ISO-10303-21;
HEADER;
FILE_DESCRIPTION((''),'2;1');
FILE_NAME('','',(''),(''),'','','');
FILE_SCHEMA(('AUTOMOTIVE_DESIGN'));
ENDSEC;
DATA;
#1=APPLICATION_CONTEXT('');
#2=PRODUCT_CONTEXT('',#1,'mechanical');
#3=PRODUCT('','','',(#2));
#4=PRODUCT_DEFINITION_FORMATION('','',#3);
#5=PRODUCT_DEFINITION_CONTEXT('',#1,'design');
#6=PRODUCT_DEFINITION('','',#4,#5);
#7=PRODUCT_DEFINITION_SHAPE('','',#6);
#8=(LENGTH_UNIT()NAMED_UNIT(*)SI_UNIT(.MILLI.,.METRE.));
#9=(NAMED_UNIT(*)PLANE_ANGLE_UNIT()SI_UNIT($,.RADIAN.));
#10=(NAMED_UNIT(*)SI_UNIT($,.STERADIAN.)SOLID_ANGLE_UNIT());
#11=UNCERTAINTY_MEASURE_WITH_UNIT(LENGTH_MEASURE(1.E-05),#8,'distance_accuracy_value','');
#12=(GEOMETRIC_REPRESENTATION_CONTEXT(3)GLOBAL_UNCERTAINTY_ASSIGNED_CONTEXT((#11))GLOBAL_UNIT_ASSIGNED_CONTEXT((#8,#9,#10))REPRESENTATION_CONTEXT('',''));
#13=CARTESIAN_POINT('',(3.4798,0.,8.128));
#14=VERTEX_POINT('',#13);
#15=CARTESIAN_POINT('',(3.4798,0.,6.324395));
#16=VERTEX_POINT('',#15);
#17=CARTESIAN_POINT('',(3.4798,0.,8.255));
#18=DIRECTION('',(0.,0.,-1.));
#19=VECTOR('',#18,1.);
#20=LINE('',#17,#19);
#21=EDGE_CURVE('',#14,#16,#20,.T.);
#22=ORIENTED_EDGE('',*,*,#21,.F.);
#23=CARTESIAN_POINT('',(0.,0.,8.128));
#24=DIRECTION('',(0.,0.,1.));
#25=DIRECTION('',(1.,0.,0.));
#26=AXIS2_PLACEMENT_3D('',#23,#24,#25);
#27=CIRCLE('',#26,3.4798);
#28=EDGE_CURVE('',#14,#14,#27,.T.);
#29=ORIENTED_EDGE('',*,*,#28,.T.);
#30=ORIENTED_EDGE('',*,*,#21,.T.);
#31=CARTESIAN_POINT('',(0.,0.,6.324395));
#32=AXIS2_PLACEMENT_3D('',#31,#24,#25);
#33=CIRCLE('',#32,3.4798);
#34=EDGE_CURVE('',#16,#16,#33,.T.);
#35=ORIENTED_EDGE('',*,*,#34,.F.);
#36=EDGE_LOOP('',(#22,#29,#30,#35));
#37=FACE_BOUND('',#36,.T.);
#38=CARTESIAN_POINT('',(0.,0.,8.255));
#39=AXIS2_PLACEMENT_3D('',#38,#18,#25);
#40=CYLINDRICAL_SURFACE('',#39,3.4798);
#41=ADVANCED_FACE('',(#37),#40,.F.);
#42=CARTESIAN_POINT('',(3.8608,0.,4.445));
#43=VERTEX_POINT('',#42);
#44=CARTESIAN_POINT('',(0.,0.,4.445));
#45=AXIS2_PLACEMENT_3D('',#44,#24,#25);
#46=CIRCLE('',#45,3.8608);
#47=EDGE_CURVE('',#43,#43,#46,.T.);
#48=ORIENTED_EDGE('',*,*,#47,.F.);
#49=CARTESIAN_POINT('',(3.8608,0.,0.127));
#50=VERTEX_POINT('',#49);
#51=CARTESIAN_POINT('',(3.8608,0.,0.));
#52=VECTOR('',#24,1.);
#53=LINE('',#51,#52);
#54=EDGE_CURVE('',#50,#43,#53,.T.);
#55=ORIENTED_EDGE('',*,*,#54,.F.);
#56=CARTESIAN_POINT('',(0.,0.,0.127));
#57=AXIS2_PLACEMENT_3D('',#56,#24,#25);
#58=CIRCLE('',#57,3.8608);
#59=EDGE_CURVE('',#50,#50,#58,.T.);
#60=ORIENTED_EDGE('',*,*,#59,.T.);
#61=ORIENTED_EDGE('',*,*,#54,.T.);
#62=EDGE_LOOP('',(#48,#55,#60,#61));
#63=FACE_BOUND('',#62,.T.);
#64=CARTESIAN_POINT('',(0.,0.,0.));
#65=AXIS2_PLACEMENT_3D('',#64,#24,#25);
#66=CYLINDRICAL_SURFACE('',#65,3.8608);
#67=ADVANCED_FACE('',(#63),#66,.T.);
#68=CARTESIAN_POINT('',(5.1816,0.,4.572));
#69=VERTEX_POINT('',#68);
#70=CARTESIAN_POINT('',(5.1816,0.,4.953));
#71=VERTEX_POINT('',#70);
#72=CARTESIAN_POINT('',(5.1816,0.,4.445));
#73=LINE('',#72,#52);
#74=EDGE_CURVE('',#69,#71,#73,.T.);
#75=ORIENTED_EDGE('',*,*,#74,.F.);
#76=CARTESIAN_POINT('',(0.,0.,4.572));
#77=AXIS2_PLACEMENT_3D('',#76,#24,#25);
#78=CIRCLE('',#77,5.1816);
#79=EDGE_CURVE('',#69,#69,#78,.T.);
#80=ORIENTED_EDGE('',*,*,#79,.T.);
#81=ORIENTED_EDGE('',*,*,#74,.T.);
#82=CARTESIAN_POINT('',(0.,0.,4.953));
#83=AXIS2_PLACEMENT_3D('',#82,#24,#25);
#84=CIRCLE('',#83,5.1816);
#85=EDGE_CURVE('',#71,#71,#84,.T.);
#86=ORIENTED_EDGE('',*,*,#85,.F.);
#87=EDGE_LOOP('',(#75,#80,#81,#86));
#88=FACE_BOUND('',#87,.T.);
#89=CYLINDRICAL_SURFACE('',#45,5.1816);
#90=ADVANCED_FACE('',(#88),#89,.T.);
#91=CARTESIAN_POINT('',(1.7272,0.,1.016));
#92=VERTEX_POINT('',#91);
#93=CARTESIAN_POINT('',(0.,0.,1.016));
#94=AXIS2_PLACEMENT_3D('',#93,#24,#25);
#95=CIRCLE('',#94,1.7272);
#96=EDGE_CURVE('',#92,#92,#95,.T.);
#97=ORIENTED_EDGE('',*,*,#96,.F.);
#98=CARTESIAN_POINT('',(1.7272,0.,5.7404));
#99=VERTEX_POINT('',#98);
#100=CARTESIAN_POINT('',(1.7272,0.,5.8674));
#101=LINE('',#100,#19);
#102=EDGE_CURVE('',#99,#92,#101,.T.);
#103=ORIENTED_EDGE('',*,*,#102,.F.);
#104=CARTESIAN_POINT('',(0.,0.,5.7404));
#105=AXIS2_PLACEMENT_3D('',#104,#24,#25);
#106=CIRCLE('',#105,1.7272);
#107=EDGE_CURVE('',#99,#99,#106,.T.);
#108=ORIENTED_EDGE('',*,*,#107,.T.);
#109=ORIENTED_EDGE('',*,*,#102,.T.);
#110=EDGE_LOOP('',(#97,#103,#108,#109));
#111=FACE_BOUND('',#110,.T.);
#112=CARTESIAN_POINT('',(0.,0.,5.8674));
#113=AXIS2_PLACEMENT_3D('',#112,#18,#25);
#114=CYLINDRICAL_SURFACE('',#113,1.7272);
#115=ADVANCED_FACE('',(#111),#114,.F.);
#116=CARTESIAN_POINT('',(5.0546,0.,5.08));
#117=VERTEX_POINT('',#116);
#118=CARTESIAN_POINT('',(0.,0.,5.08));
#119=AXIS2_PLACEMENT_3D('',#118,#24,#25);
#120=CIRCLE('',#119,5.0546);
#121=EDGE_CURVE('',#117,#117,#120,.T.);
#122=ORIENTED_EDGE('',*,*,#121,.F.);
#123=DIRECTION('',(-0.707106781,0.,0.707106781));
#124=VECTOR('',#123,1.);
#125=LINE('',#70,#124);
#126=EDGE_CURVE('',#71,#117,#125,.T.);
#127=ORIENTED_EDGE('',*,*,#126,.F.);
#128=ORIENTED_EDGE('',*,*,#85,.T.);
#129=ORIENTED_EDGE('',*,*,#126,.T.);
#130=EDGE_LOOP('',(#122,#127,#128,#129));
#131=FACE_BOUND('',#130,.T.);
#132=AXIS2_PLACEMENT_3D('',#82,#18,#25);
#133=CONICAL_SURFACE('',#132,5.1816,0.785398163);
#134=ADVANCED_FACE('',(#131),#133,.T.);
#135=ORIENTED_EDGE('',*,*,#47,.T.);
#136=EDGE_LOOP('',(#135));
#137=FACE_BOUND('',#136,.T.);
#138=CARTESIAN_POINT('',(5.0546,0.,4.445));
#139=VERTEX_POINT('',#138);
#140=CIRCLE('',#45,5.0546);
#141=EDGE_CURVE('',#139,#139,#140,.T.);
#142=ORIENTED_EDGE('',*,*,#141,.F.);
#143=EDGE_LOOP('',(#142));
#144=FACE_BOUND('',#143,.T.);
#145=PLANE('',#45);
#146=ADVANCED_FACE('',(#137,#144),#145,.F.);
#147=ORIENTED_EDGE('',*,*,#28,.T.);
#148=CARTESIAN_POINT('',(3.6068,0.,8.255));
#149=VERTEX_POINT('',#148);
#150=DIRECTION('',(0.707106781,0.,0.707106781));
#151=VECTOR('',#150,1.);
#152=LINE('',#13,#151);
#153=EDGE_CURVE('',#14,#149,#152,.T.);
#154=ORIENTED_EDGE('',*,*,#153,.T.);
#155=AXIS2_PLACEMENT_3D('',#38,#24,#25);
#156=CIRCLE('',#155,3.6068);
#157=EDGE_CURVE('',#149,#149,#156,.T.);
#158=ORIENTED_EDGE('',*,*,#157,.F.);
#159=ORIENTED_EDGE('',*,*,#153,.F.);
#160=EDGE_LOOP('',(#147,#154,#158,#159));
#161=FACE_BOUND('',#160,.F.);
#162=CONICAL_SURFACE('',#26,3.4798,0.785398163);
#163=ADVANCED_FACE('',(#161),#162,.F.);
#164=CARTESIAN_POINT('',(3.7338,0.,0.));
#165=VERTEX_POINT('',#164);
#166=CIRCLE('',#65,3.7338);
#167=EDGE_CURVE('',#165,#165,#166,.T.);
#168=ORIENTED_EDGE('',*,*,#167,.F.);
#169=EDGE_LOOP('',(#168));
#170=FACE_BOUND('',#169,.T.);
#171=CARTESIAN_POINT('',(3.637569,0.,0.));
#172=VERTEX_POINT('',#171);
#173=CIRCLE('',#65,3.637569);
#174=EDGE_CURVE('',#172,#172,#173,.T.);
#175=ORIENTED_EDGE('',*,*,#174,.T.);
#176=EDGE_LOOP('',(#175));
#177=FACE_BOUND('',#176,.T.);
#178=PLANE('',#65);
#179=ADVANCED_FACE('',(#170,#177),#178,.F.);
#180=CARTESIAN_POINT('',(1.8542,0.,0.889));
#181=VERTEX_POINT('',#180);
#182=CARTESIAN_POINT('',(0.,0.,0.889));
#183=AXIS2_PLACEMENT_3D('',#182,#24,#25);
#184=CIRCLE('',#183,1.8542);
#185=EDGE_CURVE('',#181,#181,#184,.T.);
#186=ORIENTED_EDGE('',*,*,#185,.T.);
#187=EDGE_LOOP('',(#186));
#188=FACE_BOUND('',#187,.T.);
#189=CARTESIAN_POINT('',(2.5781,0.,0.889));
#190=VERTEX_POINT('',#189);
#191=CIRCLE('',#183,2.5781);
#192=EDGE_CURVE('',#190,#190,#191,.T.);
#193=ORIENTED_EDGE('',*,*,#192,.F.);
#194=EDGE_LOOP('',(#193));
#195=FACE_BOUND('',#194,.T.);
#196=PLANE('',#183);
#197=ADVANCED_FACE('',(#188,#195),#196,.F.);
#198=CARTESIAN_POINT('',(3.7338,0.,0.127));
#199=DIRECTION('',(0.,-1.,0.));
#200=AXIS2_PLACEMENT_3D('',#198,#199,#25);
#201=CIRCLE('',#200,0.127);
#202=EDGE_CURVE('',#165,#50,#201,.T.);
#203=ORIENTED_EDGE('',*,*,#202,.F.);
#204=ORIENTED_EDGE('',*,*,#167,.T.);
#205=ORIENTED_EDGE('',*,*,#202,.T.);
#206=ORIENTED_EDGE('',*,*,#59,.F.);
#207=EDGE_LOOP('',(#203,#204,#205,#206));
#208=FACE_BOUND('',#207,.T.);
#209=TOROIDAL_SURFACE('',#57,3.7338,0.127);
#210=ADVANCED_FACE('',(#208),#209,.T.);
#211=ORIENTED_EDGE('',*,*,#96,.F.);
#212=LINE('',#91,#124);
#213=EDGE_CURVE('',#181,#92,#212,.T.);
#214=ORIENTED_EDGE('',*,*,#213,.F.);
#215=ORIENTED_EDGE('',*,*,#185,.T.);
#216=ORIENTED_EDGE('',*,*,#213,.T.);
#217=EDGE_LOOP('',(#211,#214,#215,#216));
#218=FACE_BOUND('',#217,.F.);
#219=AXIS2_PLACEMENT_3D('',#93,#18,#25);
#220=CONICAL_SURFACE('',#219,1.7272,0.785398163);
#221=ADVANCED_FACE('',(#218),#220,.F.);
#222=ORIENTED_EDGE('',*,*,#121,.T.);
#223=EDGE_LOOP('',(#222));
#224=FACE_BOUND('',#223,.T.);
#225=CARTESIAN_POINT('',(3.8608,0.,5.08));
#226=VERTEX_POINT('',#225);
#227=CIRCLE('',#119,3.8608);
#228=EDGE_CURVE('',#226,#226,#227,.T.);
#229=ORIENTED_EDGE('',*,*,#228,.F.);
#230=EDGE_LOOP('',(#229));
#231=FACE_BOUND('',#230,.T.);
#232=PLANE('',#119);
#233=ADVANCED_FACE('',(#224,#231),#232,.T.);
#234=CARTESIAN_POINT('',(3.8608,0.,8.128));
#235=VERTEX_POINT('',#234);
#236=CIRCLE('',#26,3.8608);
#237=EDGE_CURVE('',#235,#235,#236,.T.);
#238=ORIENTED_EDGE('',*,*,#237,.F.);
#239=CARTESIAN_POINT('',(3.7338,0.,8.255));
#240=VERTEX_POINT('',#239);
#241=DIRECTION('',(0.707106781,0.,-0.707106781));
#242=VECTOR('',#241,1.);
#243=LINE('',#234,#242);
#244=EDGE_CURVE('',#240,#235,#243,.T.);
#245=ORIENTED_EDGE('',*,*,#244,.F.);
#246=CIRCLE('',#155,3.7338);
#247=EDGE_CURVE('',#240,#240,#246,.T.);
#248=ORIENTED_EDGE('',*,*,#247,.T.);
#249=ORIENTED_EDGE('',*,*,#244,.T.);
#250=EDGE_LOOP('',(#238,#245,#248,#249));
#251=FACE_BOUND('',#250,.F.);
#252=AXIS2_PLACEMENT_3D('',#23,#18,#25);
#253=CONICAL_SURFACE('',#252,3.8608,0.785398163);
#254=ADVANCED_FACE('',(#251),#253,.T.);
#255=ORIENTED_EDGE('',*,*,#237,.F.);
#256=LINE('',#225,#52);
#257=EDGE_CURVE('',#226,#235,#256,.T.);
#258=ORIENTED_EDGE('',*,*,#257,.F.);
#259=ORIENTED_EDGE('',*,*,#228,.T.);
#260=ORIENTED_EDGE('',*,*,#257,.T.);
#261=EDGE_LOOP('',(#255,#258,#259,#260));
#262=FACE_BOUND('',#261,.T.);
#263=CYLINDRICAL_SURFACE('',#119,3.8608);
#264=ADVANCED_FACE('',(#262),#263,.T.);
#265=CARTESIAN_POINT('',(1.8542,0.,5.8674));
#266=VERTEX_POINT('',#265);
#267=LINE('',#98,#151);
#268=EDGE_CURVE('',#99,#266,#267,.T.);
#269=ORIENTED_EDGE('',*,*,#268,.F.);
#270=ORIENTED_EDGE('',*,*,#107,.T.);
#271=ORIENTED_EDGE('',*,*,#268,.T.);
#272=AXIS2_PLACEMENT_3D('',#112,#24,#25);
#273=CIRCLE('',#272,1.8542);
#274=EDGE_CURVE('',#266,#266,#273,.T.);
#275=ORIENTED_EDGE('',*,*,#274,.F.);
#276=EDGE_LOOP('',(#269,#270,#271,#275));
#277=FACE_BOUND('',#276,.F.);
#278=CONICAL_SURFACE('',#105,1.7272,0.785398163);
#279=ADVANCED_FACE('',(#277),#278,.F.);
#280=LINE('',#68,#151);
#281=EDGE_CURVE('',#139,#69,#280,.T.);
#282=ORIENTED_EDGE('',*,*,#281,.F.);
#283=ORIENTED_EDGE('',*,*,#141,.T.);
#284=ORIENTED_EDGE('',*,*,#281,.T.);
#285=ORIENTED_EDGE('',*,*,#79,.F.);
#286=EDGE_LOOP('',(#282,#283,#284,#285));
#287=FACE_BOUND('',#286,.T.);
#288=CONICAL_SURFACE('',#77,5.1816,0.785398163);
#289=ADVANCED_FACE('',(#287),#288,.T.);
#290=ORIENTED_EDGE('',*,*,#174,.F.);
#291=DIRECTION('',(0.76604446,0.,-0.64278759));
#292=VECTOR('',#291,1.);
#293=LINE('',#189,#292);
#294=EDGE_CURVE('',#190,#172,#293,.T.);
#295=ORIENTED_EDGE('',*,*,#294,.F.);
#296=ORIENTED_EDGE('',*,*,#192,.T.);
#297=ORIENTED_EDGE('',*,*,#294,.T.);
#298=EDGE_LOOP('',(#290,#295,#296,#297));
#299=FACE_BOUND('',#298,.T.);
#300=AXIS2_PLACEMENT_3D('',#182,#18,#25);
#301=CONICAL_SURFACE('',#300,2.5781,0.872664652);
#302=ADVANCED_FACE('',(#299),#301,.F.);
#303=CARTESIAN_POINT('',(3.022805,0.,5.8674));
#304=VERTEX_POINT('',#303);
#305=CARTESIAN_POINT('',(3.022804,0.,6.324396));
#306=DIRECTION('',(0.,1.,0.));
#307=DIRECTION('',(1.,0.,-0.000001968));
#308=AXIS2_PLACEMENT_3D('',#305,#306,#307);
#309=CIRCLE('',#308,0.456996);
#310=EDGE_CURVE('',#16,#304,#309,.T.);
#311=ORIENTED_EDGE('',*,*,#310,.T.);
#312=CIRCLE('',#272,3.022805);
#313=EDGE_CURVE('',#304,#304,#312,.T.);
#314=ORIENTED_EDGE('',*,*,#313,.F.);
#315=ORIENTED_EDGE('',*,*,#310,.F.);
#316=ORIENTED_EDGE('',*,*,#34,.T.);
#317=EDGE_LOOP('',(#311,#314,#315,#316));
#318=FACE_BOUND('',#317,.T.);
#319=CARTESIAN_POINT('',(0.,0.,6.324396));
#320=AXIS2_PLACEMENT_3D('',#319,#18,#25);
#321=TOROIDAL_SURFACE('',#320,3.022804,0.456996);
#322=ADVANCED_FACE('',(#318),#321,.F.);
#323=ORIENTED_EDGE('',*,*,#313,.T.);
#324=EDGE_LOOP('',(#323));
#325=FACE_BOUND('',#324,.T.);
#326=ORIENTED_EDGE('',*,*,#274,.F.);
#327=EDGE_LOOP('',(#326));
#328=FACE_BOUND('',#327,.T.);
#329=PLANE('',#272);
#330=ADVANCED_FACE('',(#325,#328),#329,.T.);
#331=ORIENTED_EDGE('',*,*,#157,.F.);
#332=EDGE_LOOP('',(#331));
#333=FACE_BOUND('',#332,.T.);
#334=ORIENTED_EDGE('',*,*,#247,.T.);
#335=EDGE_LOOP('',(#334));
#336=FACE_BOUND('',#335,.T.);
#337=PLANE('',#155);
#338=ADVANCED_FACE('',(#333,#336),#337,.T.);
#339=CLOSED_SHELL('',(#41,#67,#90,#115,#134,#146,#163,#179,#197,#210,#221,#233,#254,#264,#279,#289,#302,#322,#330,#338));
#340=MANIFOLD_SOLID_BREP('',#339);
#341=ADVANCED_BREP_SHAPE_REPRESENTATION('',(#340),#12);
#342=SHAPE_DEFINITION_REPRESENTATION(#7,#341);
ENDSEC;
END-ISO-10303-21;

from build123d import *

# Parameters (mm, degrees)
F2_R    = 0.127
F3_SIZE = 0.127
F4_SIZE = 0.127


with BuildPart() as f1:
    # F0 (on Front) → F1 (revolve)
    with BuildSketch(Plane.XZ):
        with BuildLine():
            Line((3.8608, 8.255), (3.4798, 8.255))
            Line((3.4798, 8.255), (3.4798, 6.324395))
            ThreePointArc((3.4798, 6.324395), (3.345949, 6.001251), (3.022805, 5.8674))
            Line((3.022805, 5.8674), (1.7272, 5.8674))
            Line((1.7272, 5.8674), (1.7272, 0.889))
            Line((1.7272, 0.889), (2.5781, 0.889))
            Line((2.5781, 0.889), (3.637569, 0))
            Line((3.637569, 0), (3.8608, 0))
            Line((3.8608, 0), (3.8608, 4.445))
            Line((3.8608, 4.445), (5.1816, 4.445))
            Line((5.1816, 4.445), (5.1816, 5.08))
            Line((5.1816, 5.08), (3.8608, 5.08))
            Line((3.8608, 5.08), (3.8608, 8.255))
        make_face()
    revolve(axis=Axis((0, 0, 7.74301), (0, 0, 1)))

    # F2
    f2_edges = [f1.edges().sort_by_distance(p)[0] for p in [
        (-3.8608, 0, 0),
    ]]
    fillet(f2_edges, radius=F2_R)

    # F3
    f3_edges = [f1.edges().sort_by_distance(p)[0] for p in [
        (-1.7272, 0, 0.889),
    ]]
    chamfer(f3_edges, length=F3_SIZE)

    # F4
    f4_edges = [f1.edges().sort_by_distance(p)[0] for p in [
        (-1.7272, 0, 5.8674),
        (-3.4798, 0, 8.255),
        (-3.8608, 0, 8.255),
        (-5.1816, 0, 5.08),
        (-5.1816, 0, 4.445),
    ]]
    chamfer(f4_edges, length=F4_SIZE)


solid = f1.part
